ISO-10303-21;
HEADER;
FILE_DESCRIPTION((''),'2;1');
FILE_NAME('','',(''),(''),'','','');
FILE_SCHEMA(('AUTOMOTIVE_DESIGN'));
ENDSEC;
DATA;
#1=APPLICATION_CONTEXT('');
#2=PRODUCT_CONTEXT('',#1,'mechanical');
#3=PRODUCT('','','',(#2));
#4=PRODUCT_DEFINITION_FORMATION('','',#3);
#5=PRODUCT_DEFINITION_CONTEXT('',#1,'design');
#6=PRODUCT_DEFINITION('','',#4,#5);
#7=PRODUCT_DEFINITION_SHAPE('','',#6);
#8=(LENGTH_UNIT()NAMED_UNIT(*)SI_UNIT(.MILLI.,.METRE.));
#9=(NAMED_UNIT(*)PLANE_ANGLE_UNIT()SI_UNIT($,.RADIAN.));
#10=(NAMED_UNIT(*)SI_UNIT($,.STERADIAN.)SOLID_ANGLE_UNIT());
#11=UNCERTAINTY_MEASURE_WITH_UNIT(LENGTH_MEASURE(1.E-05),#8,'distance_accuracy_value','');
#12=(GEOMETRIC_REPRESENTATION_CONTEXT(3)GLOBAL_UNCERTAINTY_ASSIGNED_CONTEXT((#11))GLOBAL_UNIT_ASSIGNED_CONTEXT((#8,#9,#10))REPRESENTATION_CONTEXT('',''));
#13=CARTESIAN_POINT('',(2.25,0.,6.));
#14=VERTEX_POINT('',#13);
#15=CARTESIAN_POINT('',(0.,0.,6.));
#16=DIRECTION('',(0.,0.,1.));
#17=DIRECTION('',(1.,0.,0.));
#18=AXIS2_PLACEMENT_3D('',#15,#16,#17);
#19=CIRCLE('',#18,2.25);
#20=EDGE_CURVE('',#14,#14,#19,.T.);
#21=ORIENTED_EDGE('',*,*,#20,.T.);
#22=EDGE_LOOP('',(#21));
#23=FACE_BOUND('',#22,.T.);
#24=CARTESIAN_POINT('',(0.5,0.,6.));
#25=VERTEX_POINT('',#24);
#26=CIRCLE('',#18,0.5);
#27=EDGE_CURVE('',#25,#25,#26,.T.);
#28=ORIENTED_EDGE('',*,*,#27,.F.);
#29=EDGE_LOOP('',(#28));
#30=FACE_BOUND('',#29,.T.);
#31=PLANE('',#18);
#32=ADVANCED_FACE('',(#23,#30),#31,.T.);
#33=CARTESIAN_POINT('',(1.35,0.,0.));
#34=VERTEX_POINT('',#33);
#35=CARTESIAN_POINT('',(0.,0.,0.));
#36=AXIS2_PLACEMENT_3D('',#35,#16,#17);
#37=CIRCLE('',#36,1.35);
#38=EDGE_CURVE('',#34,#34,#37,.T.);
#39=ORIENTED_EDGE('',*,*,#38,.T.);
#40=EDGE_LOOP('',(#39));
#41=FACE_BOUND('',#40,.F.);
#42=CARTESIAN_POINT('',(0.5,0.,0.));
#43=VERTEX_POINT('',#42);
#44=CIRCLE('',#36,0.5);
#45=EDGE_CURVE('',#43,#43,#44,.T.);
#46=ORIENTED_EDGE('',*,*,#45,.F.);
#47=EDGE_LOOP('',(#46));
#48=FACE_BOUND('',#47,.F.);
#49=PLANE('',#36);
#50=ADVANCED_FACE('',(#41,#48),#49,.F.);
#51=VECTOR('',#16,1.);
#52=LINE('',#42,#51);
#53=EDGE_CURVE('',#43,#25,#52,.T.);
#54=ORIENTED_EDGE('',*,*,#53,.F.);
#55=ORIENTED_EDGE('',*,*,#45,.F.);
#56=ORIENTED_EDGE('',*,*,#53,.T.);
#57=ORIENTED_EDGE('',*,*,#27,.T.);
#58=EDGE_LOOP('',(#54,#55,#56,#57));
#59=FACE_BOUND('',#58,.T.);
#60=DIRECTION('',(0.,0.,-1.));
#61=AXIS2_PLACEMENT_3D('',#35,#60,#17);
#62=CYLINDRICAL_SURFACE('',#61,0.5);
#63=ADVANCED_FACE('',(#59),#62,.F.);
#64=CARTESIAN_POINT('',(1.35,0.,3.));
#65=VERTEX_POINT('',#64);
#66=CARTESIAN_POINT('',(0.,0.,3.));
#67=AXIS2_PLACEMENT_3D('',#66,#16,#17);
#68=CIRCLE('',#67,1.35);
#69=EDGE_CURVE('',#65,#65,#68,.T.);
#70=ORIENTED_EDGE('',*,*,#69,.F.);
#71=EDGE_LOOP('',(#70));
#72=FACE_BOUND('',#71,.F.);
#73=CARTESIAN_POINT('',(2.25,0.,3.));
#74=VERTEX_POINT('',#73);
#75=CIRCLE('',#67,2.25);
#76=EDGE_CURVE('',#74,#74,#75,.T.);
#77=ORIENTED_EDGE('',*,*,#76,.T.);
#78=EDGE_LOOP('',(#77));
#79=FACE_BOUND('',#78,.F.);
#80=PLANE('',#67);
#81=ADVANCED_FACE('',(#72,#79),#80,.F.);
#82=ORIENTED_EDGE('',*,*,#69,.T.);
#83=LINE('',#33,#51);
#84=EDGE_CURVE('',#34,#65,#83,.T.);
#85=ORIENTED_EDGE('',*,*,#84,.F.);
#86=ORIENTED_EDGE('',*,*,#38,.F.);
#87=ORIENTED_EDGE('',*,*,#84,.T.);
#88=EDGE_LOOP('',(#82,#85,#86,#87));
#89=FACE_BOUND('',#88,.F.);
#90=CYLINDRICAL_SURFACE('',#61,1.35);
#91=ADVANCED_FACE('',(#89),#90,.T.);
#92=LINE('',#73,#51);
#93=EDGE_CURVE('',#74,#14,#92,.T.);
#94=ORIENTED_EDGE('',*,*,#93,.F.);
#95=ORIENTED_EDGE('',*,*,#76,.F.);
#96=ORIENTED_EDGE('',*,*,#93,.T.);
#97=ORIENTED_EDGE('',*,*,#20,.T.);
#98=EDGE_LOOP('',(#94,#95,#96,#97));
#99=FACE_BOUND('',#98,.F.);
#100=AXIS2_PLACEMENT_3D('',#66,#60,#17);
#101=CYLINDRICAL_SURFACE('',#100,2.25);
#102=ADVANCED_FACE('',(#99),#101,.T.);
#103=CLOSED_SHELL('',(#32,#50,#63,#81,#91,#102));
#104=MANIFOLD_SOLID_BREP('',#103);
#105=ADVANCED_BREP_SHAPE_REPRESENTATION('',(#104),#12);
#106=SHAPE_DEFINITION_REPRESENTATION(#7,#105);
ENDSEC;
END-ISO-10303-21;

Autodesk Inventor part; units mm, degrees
ref_plane "YZ Plane" through (0, 0, 0) normal (1, 0, 0) x (0, 1, 0)
ref_plane "XZ Plane" through (0, 0, 0) normal (0, 1, 0) x (-1, 0, 0)
ref_plane "XY Plane" through (0, 0, 0) normal (0, 0, 1) x (1, 0, 0)
sketch "Sketch1" plane through (0, 0, 0) normal (0, 0, 1) x (1, 0, 0)
  circle A0 centre (0, 0) radius 1.35
  circle A1 centre (0, 0) radius 0.5
  dimension "d0" = 2.7
  dimension "d1" = 1
extrude "Extrusion1" add sketch "Sketch1" along normal blind 3
sketch "Sketch2" plane through (0, 0, 3) normal (0, 0, 1) x (1, 0, 0)
  circle A0 centre (0, 0) radius 1.35 projected
  circle A1 centre (0, 0) radius 0.5 projected
  circle A2 centre (0, 0) radius 2.25
  dimension "d4" = 4.5
extrude "Extrusion2" add sketch "Sketch2" along normal blind 3 contours A0 | A2
properties part number "00_fluidic_input"
